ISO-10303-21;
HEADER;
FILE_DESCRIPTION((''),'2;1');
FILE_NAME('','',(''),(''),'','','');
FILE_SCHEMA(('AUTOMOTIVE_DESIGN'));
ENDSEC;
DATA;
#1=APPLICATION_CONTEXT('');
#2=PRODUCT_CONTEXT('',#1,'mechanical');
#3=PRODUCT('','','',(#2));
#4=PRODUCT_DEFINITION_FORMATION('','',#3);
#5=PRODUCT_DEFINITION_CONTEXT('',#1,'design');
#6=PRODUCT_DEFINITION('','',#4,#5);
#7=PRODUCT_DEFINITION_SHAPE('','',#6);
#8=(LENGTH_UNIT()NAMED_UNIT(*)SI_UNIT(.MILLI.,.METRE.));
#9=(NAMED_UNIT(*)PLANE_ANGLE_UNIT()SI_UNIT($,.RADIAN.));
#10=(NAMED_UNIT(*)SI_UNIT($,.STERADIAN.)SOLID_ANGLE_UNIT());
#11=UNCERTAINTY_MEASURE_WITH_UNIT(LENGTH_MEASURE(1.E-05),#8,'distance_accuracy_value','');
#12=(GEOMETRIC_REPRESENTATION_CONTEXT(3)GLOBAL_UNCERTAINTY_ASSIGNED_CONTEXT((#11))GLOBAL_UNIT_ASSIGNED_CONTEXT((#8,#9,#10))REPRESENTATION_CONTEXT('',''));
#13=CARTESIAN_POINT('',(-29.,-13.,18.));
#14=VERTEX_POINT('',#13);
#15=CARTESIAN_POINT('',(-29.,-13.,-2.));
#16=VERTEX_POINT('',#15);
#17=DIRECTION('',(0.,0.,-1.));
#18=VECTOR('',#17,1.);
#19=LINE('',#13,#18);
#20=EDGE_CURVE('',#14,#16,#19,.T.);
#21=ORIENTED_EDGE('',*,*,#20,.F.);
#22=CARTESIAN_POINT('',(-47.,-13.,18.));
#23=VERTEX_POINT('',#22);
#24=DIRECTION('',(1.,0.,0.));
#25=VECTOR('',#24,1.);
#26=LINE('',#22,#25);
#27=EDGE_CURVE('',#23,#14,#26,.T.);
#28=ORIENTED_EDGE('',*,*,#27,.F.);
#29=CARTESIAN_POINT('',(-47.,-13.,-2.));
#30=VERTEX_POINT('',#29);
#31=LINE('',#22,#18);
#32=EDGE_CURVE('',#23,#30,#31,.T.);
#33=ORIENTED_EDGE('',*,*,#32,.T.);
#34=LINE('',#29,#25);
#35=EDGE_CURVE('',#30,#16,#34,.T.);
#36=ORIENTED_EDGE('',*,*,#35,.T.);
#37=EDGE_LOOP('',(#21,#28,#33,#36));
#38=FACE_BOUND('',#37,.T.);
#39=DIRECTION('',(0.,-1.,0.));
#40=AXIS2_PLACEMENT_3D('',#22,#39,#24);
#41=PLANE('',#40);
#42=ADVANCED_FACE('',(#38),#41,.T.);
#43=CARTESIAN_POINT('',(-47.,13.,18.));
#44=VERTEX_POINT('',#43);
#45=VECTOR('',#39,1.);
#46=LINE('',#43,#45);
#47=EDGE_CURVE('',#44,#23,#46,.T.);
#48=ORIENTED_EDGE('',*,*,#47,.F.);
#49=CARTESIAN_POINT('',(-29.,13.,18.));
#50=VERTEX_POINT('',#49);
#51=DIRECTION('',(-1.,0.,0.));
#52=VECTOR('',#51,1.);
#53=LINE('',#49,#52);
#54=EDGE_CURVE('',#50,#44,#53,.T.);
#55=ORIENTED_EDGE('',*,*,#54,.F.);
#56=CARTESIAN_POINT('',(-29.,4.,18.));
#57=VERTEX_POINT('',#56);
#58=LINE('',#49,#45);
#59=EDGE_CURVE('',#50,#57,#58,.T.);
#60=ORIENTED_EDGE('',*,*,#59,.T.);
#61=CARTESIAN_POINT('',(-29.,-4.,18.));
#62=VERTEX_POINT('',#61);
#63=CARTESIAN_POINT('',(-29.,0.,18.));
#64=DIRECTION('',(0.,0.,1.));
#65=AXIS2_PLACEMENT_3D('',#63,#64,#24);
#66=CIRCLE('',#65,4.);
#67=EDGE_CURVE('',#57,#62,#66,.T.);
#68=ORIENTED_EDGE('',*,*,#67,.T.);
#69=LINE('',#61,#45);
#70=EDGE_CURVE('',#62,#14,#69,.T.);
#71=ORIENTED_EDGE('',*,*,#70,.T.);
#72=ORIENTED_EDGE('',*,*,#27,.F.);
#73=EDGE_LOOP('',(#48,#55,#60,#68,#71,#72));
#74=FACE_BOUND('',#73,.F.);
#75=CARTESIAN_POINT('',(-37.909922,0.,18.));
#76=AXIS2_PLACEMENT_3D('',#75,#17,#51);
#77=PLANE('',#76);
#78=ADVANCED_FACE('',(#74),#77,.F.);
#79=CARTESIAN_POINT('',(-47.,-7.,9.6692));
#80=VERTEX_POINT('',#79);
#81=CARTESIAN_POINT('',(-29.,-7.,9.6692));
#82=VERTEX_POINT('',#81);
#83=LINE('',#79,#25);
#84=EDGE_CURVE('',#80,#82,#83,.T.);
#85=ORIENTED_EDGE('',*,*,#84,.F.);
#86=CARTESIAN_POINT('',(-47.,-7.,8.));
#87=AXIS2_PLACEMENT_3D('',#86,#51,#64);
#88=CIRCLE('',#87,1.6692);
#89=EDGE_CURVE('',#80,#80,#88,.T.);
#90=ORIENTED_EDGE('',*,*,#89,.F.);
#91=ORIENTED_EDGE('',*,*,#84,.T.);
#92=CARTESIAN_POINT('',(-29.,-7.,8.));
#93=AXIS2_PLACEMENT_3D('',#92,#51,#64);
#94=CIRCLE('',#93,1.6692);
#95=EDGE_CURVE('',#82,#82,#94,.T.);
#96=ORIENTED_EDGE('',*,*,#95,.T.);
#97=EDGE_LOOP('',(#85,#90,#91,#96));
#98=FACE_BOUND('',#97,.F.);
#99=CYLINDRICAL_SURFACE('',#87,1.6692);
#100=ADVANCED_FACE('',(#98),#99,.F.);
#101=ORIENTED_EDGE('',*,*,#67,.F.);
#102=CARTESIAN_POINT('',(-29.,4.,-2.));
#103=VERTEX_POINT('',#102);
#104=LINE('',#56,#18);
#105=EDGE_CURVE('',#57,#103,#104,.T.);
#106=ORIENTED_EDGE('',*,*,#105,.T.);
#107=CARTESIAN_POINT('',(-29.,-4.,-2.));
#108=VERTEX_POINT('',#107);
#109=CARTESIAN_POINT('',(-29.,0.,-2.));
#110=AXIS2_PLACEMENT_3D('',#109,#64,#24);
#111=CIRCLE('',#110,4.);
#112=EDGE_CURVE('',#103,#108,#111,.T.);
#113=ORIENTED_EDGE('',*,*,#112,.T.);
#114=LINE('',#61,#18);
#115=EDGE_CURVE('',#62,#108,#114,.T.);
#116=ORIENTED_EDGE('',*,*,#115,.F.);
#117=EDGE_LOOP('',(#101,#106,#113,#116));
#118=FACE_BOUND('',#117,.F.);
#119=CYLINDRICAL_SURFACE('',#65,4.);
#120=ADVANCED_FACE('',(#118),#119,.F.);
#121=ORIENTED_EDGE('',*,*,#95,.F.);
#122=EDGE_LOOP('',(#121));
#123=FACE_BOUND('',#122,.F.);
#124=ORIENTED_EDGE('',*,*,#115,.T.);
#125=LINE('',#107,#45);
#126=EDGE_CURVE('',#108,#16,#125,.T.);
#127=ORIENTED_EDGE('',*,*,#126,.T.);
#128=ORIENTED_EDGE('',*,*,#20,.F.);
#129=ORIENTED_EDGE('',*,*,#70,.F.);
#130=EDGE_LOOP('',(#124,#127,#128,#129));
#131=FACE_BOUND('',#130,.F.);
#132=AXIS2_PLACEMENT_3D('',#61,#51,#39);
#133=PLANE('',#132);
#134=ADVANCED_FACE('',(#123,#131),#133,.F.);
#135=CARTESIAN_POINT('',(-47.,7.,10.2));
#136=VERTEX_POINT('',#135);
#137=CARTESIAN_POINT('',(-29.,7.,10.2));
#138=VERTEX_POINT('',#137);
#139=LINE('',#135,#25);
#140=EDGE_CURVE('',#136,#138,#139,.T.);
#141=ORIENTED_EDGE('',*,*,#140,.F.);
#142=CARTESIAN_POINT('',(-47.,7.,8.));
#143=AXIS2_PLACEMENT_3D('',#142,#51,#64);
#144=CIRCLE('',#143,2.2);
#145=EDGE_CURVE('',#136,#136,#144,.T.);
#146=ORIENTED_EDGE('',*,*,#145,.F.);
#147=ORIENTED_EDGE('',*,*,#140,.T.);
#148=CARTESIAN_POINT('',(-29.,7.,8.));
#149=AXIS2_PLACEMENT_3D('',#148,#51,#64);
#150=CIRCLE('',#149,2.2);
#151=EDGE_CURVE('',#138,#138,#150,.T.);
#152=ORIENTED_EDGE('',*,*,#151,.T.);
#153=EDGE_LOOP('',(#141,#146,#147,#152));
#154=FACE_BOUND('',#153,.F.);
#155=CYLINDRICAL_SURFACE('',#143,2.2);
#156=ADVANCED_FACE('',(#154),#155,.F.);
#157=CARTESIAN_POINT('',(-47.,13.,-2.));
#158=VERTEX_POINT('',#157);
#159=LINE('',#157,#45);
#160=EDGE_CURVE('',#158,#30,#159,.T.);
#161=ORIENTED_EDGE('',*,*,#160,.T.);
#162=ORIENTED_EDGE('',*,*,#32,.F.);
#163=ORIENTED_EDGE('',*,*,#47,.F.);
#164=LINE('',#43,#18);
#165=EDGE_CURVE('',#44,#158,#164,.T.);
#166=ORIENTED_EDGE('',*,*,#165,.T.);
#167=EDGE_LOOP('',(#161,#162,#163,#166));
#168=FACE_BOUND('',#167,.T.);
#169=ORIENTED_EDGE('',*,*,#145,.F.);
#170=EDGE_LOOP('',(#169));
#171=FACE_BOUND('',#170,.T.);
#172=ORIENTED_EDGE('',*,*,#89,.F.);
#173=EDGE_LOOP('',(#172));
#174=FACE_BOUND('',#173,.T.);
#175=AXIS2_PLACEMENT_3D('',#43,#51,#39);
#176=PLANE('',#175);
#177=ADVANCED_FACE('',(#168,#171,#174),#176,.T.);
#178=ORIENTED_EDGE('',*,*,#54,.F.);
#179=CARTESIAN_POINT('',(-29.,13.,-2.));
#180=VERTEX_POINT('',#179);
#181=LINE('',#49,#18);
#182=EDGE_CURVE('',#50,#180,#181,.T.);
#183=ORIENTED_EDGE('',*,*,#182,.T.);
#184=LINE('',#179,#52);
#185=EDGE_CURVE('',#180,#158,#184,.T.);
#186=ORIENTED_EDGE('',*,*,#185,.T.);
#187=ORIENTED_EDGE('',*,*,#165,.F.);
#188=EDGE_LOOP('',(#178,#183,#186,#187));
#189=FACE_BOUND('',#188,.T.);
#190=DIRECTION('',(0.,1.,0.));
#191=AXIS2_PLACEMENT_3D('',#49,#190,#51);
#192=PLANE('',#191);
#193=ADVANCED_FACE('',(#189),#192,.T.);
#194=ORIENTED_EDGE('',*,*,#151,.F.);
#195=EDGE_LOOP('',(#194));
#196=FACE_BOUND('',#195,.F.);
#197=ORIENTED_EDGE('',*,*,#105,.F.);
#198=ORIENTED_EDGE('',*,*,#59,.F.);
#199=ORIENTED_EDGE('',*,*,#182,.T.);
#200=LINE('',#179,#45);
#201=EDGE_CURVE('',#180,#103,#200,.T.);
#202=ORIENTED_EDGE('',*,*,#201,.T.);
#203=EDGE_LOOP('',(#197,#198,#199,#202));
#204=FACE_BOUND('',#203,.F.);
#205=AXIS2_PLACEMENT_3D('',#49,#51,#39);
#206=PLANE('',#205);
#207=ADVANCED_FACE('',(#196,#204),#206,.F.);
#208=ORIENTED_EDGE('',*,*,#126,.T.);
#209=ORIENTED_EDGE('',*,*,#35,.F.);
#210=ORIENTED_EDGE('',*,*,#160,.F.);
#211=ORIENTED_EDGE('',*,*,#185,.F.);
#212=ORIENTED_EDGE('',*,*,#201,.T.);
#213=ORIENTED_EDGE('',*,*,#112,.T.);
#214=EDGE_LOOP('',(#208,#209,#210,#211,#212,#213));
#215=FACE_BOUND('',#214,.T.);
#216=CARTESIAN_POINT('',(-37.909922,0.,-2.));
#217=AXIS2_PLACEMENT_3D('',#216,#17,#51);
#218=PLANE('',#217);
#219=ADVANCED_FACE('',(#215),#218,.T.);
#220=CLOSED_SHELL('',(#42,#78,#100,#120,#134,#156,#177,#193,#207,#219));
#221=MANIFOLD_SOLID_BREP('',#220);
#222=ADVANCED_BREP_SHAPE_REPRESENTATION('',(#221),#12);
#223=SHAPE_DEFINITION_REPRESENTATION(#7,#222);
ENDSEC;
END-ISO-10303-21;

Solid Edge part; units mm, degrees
sketch "Sketch1" plane through (0, 0, 18) normal (0, 0, 1) x (1, 0, 0)
  line L0 (-29, 13) -> (-29, 4)
  line L1 (-29, -4) -> (-29, -13)
  line L2 (-47, -13) -> (-29, -13)
  line L3 (-47, 13) -> (-47, -13)
  line L4 (-29, 13) -> (-47, 13)
  arc A0 (-29, 4) -> (-29, -4) centre (-29, 0) ccw
  dimension "D1" = 26
  dimension "D2" = 18
extrude "ExtrudedProtrusion_1" add sketch "Sketch1" against normal blind 20
sketch "Sketch2" plane through (-47, 0, 8.5) normal (-1, 0, 0) x (0, 0, 1)
  circle A0 centre (-0.5, -7) radius 1.6692
  circle A1 centre (-0.5, 7) radius 2.2
  dimension "D1" = 14
  dimension "D2" = 10
  dimension "D3" = 6
extrude "Cutout1" cut sketch "Sketch2" against normal through all
